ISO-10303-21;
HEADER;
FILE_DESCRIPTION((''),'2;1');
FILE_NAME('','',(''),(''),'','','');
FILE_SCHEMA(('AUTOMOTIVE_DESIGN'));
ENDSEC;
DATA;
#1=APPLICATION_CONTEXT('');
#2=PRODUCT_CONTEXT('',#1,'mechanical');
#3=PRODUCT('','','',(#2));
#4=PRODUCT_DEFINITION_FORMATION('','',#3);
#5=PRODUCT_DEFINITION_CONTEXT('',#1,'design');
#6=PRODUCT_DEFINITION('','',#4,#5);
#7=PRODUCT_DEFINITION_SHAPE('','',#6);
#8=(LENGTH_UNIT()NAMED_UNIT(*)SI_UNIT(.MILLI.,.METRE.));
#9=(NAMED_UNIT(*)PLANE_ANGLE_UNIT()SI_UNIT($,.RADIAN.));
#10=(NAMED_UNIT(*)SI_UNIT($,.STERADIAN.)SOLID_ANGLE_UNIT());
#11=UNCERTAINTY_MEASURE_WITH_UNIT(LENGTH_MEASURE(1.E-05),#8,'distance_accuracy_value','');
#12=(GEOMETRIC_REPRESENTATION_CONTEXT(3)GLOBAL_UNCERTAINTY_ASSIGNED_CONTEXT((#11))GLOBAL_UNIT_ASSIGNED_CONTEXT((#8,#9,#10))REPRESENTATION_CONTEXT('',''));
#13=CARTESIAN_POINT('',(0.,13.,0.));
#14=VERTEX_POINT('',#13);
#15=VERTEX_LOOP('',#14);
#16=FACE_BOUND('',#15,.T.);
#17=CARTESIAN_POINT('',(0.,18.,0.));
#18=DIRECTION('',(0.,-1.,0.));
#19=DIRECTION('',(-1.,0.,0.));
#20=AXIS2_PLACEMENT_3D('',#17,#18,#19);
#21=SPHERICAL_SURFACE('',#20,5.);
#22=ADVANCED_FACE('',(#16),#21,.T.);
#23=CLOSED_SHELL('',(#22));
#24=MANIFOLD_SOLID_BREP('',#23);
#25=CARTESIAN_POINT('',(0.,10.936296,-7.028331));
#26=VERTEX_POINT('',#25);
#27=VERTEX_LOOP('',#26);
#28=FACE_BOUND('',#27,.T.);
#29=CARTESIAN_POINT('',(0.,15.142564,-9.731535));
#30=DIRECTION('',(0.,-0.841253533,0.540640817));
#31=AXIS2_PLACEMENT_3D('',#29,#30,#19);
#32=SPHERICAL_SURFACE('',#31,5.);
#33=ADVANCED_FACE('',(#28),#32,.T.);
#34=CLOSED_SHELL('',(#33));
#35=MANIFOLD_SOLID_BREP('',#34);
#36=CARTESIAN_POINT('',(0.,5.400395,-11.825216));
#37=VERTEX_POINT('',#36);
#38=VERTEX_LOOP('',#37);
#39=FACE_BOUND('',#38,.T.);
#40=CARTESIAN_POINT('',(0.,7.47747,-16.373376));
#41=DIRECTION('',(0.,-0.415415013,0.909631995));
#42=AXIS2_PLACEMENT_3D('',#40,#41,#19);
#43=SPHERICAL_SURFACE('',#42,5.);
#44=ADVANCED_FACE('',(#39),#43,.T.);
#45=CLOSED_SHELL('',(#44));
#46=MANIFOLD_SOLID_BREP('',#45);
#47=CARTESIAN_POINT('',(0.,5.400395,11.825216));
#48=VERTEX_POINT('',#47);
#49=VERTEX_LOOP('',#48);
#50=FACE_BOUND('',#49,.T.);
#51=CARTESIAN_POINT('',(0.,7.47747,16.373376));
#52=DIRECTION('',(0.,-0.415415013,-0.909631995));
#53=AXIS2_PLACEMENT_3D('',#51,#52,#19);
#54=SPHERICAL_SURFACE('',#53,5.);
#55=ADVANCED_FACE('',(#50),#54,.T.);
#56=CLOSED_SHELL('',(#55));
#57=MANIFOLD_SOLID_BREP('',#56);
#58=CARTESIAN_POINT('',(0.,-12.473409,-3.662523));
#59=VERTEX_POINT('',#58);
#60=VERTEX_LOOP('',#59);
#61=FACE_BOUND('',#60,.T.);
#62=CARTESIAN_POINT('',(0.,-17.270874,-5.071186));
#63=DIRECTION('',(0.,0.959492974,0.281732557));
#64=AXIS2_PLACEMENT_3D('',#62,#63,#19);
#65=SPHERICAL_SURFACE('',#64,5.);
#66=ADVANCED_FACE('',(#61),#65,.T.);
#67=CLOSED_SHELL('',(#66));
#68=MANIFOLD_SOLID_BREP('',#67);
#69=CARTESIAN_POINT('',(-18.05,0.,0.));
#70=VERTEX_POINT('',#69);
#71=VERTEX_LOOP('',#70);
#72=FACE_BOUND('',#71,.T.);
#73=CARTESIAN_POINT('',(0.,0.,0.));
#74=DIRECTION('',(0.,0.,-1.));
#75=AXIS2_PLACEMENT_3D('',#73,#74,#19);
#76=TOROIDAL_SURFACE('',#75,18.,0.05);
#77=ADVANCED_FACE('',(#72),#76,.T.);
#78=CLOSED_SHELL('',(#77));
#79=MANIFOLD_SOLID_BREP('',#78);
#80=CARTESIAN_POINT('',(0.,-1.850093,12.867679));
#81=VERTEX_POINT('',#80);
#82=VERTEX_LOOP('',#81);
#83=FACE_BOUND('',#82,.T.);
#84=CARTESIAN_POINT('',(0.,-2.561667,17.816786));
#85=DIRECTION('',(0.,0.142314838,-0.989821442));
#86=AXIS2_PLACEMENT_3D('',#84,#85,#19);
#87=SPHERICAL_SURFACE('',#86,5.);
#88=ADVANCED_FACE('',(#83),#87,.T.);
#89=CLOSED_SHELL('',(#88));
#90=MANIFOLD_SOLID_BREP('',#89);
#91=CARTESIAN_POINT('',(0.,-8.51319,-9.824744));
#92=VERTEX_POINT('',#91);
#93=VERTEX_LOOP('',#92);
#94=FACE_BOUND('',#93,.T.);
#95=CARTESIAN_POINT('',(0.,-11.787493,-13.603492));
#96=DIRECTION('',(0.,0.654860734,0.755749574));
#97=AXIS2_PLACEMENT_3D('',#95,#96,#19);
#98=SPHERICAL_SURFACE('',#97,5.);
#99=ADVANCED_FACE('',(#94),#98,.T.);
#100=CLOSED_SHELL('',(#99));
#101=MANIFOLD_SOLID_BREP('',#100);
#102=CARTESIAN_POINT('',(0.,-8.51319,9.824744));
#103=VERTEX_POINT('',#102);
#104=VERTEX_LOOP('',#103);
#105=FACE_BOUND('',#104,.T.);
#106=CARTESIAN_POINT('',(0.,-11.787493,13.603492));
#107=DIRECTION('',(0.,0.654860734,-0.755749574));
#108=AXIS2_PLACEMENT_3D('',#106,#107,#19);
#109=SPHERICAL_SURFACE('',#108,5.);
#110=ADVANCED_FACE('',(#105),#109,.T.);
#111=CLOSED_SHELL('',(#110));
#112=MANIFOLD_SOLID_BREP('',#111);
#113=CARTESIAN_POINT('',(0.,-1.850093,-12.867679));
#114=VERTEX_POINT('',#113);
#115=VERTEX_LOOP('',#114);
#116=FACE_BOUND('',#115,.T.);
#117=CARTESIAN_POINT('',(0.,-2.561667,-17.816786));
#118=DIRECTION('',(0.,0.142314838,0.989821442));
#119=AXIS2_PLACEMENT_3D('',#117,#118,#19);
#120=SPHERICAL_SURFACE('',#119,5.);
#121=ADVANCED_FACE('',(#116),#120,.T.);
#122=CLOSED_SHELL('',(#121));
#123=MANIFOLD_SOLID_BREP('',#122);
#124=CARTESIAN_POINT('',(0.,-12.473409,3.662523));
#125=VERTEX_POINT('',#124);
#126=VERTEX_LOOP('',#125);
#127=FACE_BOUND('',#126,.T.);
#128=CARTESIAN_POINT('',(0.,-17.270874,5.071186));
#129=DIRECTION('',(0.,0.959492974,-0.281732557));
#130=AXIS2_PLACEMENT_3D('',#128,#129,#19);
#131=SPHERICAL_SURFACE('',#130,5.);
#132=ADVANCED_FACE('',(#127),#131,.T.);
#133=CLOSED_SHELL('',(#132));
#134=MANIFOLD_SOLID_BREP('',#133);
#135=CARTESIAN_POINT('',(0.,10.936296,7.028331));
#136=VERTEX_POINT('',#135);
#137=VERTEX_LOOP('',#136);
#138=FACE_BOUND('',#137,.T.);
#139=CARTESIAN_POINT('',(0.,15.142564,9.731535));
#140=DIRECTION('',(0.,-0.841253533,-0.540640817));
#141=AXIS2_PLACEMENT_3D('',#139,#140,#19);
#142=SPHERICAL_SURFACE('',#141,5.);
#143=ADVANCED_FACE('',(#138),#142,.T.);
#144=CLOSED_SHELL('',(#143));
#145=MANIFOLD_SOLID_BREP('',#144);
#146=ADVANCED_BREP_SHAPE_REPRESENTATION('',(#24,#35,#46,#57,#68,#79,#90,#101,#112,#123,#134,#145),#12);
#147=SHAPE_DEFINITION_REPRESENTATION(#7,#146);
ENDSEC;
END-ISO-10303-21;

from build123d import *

# Parameters (mm, degrees)
CROQUIS4_R     = 0.05
MATRIZC1_COUNT = 11


with BuildPart() as part:
    # Croquis1 → Revolución1 (revolve)
    with BuildSketch(Plane.XY):
        with BuildLine():
            Line((0, 23), (0, 13))
            ThreePointArc((0, 13), (5, 18), (0, 23))
        make_face()
    revolve(axis=Axis((0, 0, 0), (0, 1, 0)))


with BuildPart() as body_2:
    # Croquis4 → Revolución2 (revolve)
    with BuildSketch(Plane(origin=(0, 0, 0), x_dir=(1, 0, 0), z_dir=(0, 1, 0))):
        with Locations((-18, 0)):
            Circle(CROQUIS4_R)
    revolve(axis=Axis((0, 0, -8.419286406), (0, 0, 1)))


with BuildPart() as matrizc1_1:
    # MatrizC1: pattern copy
    add(part.part.rotate(Axis((0, 0, 0), (1, 0, 0)), 1 * 360 / MATRIZC1_COUNT))


with BuildPart() as matrizc1_2:
    # MatrizC1: pattern copy
    add(part.part.rotate(Axis((0, 0, 0), (1, 0, 0)), 2 * 360 / MATRIZC1_COUNT))


with BuildPart() as matrizc1_3:
    # MatrizC1: pattern copy
    add(part.part.rotate(Axis((0, 0, 0), (1, 0, 0)), 3 * 360 / MATRIZC1_COUNT))


with BuildPart() as matrizc1_4:
    # MatrizC1: pattern copy
    add(part.part.rotate(Axis((0, 0, 0), (1, 0, 0)), 4 * 360 / MATRIZC1_COUNT))


with BuildPart() as matrizc1_5:
    # MatrizC1: pattern copy
    add(part.part.rotate(Axis((0, 0, 0), (1, 0, 0)), 5 * 360 / MATRIZC1_COUNT))


with BuildPart() as matrizc1_6:
    # MatrizC1: pattern copy
    add(part.part.rotate(Axis((0, 0, 0), (1, 0, 0)), 6 * 360 / MATRIZC1_COUNT))


with BuildPart() as matrizc1_7:
    # MatrizC1: pattern copy
    add(part.part.rotate(Axis((0, 0, 0), (1, 0, 0)), 7 * 360 / MATRIZC1_COUNT))


with BuildPart() as matrizc1_8:
    # MatrizC1: pattern copy
    add(part.part.rotate(Axis((0, 0, 0), (1, 0, 0)), 8 * 360 / MATRIZC1_COUNT))


with BuildPart() as matrizc1_9:
    # MatrizC1: pattern copy
    add(part.part.rotate(Axis((0, 0, 0), (1, 0, 0)), 9 * 360 / MATRIZC1_COUNT))


with BuildPart() as matrizc1_10:
    # MatrizC1: pattern copy
    add(part.part.rotate(Axis((0, 0, 0), (1, 0, 0)), 10 * 360 / MATRIZC1_COUNT))


solid = Compound([part.part, body_2.part, matrizc1_1.part, matrizc1_2.part, matrizc1_3.part, matrizc1_4.part, matrizc1_5.part, matrizc1_6.part, matrizc1_7.part, matrizc1_8.part, matrizc1_9.part, matrizc1_10.part])
